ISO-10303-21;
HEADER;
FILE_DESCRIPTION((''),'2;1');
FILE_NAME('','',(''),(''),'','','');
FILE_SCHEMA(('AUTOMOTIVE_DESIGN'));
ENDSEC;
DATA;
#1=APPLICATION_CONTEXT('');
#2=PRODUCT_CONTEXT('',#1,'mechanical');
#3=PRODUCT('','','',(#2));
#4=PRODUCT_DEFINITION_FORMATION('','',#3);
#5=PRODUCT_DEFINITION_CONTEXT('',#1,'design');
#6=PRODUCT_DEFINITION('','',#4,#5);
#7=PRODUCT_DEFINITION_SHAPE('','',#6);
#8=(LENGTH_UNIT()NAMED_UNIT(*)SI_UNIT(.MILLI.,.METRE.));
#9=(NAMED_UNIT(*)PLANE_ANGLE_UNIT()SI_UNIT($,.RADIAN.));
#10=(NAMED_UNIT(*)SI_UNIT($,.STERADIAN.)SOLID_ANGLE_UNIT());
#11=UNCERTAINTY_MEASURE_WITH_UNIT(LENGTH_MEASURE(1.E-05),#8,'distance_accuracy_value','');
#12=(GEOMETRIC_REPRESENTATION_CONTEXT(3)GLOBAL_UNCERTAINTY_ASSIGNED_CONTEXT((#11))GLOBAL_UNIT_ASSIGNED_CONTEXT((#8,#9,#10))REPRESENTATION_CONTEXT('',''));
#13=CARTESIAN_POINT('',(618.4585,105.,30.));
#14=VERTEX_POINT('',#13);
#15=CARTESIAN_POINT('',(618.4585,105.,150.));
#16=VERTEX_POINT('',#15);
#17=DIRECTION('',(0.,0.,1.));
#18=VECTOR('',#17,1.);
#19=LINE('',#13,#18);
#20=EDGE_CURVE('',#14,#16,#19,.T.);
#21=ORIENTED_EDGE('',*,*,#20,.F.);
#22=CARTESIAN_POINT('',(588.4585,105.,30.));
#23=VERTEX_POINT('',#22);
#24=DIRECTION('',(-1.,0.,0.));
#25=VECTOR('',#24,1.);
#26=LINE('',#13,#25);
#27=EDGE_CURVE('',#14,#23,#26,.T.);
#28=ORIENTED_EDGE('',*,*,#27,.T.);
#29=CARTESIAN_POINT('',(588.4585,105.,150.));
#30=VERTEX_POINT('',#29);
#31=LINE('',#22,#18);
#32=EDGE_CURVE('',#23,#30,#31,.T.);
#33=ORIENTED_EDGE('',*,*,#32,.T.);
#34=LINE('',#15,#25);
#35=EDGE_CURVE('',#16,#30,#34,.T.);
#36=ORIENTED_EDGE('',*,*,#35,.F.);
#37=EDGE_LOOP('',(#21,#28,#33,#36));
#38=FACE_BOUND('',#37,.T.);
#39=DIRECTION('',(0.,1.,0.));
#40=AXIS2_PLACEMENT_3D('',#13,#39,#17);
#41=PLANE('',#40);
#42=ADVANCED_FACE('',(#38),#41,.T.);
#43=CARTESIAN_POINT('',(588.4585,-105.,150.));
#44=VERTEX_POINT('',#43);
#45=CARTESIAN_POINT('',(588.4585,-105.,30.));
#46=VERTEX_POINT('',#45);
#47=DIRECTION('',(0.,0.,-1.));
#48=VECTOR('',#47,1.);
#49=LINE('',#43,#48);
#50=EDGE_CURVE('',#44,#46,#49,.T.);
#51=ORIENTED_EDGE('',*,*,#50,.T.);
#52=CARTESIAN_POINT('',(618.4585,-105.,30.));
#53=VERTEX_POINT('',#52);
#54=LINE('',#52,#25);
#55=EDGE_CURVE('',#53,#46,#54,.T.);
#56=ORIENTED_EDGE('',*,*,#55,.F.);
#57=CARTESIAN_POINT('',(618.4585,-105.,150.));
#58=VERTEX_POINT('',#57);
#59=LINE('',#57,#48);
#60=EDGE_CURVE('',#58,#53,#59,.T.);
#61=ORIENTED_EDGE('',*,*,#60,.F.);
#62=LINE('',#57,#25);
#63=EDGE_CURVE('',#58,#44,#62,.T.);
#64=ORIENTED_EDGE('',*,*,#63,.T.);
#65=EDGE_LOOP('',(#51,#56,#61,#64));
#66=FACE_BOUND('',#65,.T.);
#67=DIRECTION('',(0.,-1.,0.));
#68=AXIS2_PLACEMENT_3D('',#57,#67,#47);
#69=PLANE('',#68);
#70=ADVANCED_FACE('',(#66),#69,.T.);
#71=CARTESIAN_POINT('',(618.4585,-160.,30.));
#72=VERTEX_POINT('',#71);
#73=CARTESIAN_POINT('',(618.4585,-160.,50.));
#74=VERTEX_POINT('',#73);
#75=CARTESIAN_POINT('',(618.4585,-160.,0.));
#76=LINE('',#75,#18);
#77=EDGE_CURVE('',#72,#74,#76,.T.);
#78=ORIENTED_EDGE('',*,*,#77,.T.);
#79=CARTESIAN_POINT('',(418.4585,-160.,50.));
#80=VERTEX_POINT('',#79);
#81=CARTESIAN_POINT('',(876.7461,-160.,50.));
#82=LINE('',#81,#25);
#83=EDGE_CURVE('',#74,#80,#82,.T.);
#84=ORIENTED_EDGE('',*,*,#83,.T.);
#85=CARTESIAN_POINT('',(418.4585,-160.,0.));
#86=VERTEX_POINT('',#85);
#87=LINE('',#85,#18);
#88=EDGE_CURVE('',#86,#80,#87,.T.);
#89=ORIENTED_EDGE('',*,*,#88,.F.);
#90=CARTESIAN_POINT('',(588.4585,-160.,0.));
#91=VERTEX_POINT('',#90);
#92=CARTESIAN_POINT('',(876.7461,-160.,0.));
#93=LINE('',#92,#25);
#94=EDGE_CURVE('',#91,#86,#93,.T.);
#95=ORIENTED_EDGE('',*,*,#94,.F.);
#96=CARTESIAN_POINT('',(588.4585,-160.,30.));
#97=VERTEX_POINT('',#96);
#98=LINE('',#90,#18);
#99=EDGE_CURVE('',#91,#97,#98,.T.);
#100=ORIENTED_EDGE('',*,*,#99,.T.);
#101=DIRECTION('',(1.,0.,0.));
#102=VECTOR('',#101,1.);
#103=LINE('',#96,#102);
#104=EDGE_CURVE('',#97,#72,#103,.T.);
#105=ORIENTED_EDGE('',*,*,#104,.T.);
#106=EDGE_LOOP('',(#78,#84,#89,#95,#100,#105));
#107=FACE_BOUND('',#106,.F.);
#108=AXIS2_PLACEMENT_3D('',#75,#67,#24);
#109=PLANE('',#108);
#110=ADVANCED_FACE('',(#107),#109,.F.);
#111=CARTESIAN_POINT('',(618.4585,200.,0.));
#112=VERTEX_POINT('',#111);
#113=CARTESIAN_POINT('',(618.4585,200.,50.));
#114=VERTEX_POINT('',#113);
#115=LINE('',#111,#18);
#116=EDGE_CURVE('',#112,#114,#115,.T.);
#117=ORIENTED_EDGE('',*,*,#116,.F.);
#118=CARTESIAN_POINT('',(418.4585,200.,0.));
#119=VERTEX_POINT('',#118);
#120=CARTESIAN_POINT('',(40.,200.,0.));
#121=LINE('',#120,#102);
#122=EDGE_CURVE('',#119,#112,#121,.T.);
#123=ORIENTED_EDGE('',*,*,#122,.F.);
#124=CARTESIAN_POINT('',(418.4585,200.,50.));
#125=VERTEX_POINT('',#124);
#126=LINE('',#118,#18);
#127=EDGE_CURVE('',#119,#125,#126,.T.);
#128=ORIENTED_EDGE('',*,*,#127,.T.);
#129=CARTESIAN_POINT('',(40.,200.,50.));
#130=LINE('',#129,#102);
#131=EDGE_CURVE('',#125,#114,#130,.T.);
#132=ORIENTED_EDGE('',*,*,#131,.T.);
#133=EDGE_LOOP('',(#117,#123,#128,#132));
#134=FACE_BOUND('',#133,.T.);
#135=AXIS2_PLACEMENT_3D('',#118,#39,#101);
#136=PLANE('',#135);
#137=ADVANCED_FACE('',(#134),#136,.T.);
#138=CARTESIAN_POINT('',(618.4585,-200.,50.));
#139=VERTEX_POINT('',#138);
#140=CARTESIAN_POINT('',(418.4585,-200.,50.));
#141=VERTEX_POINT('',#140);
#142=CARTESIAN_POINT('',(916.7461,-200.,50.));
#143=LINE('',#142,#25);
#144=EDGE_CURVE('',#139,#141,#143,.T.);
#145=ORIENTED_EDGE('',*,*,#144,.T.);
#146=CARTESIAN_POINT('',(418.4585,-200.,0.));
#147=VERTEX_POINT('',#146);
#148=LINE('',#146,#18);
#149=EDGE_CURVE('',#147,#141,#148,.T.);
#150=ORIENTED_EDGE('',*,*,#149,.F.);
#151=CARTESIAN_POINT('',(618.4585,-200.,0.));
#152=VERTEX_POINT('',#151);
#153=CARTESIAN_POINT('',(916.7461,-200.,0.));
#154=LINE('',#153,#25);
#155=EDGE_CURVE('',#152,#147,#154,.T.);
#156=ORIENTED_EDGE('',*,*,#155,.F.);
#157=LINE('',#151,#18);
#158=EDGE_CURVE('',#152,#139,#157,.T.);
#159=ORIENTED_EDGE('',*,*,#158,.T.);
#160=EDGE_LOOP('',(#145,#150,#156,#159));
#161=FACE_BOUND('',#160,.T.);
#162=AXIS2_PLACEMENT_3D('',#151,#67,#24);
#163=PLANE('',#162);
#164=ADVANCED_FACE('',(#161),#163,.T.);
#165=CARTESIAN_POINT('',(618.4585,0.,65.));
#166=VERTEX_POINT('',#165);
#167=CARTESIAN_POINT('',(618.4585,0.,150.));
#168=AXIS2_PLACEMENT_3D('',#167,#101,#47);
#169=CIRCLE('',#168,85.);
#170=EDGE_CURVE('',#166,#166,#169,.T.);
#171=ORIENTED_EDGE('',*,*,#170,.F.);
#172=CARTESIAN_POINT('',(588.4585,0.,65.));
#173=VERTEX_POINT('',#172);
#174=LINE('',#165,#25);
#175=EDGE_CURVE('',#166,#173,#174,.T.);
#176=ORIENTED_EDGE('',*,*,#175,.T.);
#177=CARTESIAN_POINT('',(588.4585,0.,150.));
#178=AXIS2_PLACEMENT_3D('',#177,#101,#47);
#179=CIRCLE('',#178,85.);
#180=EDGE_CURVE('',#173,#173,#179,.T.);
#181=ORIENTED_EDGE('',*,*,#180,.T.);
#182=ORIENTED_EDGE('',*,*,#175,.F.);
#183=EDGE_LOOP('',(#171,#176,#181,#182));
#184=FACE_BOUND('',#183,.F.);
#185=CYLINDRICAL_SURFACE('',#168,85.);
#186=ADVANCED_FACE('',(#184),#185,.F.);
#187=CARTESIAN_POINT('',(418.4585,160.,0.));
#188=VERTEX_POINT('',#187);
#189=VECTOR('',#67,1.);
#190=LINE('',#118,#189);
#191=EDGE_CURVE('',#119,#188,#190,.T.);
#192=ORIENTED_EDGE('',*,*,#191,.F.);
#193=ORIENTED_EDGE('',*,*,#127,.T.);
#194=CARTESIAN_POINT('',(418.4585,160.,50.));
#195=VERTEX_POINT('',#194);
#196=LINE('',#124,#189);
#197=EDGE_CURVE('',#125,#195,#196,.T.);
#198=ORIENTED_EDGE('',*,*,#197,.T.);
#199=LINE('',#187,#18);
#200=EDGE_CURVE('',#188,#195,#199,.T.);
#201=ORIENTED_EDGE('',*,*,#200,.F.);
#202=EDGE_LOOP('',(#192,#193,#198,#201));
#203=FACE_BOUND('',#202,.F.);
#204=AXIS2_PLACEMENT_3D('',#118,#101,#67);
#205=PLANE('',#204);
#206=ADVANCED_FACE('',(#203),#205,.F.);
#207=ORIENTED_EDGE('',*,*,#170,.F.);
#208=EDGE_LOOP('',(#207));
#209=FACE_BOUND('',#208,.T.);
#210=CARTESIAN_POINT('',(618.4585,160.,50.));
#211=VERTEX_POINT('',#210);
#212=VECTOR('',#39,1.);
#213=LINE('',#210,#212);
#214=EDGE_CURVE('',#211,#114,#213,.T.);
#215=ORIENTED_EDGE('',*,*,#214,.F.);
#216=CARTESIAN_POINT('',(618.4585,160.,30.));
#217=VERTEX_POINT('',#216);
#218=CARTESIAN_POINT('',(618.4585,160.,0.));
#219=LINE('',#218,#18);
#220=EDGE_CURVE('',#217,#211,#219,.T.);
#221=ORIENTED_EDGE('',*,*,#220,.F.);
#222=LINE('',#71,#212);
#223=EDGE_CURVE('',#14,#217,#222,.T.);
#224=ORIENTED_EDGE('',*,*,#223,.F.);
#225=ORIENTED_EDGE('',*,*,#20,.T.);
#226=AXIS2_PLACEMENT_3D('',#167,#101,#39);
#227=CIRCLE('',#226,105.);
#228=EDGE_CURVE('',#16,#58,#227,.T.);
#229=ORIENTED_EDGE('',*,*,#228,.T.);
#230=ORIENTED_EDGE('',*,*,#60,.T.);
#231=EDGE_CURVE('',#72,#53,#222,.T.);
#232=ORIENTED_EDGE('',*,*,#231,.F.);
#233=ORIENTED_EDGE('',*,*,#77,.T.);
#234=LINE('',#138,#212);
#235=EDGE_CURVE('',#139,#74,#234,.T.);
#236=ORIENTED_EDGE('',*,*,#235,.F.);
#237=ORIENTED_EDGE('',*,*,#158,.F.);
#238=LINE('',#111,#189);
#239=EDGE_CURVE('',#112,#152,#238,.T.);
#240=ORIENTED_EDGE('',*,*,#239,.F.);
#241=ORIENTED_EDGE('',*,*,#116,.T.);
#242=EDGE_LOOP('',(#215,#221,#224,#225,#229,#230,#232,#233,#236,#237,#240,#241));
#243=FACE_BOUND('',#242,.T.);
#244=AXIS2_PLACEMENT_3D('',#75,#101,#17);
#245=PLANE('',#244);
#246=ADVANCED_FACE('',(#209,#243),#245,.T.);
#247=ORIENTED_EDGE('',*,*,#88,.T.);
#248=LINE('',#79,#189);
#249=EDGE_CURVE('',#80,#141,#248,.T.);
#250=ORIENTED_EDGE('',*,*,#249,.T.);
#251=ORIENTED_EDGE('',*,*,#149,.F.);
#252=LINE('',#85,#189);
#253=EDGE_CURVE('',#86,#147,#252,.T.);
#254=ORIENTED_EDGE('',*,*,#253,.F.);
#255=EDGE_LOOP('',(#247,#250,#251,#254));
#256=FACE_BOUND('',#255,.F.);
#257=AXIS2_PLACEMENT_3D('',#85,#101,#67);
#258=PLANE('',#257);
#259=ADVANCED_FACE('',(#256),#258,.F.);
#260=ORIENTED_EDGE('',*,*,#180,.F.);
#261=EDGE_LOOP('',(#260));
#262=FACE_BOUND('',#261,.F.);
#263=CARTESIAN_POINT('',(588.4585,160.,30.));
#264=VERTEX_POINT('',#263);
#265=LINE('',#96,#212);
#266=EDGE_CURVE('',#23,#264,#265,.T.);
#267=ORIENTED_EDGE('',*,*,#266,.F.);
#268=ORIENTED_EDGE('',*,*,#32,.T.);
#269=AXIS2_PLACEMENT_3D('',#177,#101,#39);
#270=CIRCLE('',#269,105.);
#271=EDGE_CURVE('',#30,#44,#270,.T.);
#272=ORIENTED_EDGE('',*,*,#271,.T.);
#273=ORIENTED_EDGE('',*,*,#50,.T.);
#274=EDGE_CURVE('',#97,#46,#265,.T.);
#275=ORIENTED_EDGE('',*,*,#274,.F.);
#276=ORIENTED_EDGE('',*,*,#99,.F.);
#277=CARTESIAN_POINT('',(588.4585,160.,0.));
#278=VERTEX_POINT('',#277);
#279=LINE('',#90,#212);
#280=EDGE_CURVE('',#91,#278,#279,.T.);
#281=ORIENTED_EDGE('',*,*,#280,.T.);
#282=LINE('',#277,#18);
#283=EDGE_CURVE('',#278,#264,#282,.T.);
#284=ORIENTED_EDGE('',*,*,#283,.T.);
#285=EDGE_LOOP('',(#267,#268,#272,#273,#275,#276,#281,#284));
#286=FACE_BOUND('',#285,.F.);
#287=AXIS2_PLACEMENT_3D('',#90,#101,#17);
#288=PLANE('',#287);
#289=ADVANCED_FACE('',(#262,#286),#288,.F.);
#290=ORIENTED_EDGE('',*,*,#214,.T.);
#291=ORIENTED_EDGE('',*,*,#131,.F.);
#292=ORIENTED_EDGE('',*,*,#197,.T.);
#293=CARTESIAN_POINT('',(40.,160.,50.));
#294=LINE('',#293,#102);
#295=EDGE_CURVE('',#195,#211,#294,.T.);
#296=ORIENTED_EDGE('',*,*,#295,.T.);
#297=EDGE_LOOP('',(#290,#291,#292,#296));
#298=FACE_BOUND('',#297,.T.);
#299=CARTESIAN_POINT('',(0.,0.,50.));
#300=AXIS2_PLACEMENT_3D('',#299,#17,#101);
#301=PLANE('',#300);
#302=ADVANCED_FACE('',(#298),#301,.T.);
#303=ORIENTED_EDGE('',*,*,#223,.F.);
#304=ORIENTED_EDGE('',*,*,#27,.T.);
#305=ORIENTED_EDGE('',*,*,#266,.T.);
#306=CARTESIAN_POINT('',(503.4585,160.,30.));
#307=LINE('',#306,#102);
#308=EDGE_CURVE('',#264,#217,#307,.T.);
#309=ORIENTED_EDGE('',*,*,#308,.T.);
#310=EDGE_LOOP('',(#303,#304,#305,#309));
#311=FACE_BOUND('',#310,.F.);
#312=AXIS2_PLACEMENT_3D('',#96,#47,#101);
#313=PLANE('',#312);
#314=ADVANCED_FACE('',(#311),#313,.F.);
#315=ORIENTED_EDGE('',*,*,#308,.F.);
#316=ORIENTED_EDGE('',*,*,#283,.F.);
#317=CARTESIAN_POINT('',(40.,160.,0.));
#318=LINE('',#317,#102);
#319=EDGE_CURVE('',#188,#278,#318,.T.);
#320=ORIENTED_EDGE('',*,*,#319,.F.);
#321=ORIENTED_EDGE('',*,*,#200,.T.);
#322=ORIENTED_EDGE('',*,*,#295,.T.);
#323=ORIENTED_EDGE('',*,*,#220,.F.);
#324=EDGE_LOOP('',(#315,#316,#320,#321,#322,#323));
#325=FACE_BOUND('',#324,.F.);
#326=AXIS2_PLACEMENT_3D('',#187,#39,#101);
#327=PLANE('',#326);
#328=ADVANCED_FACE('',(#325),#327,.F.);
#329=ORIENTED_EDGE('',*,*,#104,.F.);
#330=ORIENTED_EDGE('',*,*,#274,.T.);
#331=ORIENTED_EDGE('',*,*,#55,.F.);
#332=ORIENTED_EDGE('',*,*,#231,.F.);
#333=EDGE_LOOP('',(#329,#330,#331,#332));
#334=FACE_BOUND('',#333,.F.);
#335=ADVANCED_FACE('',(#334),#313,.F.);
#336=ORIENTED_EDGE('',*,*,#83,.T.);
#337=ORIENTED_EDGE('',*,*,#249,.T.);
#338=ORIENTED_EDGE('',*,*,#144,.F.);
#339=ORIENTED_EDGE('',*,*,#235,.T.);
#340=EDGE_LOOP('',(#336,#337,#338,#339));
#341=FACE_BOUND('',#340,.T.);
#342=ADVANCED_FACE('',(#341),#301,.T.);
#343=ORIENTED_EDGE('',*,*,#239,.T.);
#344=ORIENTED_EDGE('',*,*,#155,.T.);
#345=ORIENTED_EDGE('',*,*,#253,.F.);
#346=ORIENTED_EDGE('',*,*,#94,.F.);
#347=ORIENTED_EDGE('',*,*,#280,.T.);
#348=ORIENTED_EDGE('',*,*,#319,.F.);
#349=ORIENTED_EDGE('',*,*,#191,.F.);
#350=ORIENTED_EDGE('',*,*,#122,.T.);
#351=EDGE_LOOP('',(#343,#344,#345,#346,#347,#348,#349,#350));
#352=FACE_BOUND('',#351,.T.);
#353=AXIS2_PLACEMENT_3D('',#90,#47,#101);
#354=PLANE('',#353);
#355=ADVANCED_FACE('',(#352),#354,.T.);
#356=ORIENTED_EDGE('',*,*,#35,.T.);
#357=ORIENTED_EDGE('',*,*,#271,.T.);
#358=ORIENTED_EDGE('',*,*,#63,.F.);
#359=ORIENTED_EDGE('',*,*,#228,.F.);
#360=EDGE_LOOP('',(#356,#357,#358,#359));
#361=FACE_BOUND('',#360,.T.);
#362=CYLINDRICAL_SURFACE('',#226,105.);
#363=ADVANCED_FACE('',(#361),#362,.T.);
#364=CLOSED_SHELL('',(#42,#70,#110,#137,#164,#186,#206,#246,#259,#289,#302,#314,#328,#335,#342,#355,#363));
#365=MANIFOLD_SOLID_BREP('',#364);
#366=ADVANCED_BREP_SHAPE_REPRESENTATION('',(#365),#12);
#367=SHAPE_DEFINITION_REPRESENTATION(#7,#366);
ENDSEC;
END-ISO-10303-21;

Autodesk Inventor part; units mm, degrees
ref_plane "YZ Plane" through (0, 0, 0) normal (1, 0, 0) x (0, 1, 0)
ref_plane "XZ Plane" through (0, 0, 0) normal (0, 1, 0) x (-1, 0, 0)
ref_plane "XY Plane" through (0, 0, 0) normal (0, 0, 1) x (1, 0, 0)
sketch "Sketch1" plane through (0, 0, 0) normal (0, 0, 1) x (1, 0, 0)
  line L0 (40, 160) -> (876.7461, 160) projected
  line L1 (876.7461, 160) -> (876.7461, -160) projected
  line L2 (876.7461, -160) -> (40, -160) projected
  line L3 (40, -200) -> (40, -160) projected
  line L4 (916.7461, -200) -> (40, -200) projected
  line L5 (916.7461, -160) -> (916.7461, -200) projected
  line L6 (916.7461, 160) -> (916.7461, -160) projected
  line L7 (916.7461, 200) -> (916.7461, 160) projected
  line L8 (40, 200) -> (916.7461, 200) projected
  line L9 (40, 160) -> (40, 200) projected
  line L10 (618.4585, 200) -> (418.4585, 200)
  line L11 (418.4585, 200) -> (418.4585, 160)
  line L12 (418.4585, 160) -> (618.4585, 160)
  line L13 (618.4585, 160) -> (618.4585, 200)
  line L14 (618.4585, -160) -> (418.4585, -160)
  line L15 (418.4585, -160) -> (418.4585, -200)
  line L16 (418.4585, -200) -> (618.4585, -200)
  line L17 (618.4585, -200) -> (618.4585, -160)
  point P0 (0, 0)
  dimension "d0" = 200
extrude "Extrusion1" add sketch "Sketch1" along normal blind 50 contours L11 L8 L13 L0 | L17 L4 L15 L2
sketch "Sketch2" plane through (418.4585, -160, 0) normal (0, 1, 0) x (1, 0, 0)
  arc A0 (78.7868, -178.7868) -> (121.2132, -178.7868) centre (100, -157.5736) ccw projected
  arc A1 (78.7868, -178.7868) -> (121.2132, -178.7868) centre (100, -157.5736) ccw projected
  circle A2 centre (100, -157.5736) radius 10
  line L0 (0, 0) -> (0, -50) projected
  line L1 (0, 0) -> (200, 0) projected
  line L2 (200, 0) -> (200, -50) projected
  line L3 (200, 0) -> (200, -87.5736) projected
  line L4 (200, 0) -> (170, 0)
  line L5 (170, 0) -> (170, -30)
  line L6 (170, -30) -> (200, -30)
  line L7 (200, -30) -> (200, 0)
  line L8 (0, -50) -> (200, -50) projected
  point P0 (-418.4585, 0)
  dimension "d7" = 20
  dimension "d10" = 30
  dimension "d11" = 30
extrude "Extrusion2" add sketch "Sketch2" along normal up to next contours L1 L2 L6 L5
sketch "Sketch3" plane through (618.4585, -200, 0) normal (1, 0, 0) x (0, 0, -1)
  line L0 (-30, 40) -> (-30, 360) projected
  line L1 (-30, 40) -> (-50, 40) projected
  line L2 (-50, 0) -> (-50, 40) projected
  line L3 (0, 0) -> (-50, 0) projected
  line L4 (0, 0) -> (0, 400) projected
  line L5 (0, 400) -> (-50, 400) projected
  line L6 (-50, 360) -> (-50, 400) projected
  line L7 (-30, 360) -> (-50, 360) projected
  line L8 (-30, 40) -> (-30, 360) projected
  line L9 (-30, 305) -> (-150, 305)
  arc A0 (-150, 305) -> (-150, 95) centre (-150, 200) ccw
  line L10 (-150, 95) -> (-30, 95)
  line L11 (-30, 305) -> (-30, 95)
  circle A1 centre (-150, 200) radius 85
  point P0 (0, 200)
  point P1 (0, 200)
  dimension "d13" = 170
  dimension "d14" = 20
  dimension "d15" = 120
extrude "Extrusion3" add sketch "Sketch3" against normal blind 30 contours L10 A0 L9 L0
properties part number "emmerhouder"
